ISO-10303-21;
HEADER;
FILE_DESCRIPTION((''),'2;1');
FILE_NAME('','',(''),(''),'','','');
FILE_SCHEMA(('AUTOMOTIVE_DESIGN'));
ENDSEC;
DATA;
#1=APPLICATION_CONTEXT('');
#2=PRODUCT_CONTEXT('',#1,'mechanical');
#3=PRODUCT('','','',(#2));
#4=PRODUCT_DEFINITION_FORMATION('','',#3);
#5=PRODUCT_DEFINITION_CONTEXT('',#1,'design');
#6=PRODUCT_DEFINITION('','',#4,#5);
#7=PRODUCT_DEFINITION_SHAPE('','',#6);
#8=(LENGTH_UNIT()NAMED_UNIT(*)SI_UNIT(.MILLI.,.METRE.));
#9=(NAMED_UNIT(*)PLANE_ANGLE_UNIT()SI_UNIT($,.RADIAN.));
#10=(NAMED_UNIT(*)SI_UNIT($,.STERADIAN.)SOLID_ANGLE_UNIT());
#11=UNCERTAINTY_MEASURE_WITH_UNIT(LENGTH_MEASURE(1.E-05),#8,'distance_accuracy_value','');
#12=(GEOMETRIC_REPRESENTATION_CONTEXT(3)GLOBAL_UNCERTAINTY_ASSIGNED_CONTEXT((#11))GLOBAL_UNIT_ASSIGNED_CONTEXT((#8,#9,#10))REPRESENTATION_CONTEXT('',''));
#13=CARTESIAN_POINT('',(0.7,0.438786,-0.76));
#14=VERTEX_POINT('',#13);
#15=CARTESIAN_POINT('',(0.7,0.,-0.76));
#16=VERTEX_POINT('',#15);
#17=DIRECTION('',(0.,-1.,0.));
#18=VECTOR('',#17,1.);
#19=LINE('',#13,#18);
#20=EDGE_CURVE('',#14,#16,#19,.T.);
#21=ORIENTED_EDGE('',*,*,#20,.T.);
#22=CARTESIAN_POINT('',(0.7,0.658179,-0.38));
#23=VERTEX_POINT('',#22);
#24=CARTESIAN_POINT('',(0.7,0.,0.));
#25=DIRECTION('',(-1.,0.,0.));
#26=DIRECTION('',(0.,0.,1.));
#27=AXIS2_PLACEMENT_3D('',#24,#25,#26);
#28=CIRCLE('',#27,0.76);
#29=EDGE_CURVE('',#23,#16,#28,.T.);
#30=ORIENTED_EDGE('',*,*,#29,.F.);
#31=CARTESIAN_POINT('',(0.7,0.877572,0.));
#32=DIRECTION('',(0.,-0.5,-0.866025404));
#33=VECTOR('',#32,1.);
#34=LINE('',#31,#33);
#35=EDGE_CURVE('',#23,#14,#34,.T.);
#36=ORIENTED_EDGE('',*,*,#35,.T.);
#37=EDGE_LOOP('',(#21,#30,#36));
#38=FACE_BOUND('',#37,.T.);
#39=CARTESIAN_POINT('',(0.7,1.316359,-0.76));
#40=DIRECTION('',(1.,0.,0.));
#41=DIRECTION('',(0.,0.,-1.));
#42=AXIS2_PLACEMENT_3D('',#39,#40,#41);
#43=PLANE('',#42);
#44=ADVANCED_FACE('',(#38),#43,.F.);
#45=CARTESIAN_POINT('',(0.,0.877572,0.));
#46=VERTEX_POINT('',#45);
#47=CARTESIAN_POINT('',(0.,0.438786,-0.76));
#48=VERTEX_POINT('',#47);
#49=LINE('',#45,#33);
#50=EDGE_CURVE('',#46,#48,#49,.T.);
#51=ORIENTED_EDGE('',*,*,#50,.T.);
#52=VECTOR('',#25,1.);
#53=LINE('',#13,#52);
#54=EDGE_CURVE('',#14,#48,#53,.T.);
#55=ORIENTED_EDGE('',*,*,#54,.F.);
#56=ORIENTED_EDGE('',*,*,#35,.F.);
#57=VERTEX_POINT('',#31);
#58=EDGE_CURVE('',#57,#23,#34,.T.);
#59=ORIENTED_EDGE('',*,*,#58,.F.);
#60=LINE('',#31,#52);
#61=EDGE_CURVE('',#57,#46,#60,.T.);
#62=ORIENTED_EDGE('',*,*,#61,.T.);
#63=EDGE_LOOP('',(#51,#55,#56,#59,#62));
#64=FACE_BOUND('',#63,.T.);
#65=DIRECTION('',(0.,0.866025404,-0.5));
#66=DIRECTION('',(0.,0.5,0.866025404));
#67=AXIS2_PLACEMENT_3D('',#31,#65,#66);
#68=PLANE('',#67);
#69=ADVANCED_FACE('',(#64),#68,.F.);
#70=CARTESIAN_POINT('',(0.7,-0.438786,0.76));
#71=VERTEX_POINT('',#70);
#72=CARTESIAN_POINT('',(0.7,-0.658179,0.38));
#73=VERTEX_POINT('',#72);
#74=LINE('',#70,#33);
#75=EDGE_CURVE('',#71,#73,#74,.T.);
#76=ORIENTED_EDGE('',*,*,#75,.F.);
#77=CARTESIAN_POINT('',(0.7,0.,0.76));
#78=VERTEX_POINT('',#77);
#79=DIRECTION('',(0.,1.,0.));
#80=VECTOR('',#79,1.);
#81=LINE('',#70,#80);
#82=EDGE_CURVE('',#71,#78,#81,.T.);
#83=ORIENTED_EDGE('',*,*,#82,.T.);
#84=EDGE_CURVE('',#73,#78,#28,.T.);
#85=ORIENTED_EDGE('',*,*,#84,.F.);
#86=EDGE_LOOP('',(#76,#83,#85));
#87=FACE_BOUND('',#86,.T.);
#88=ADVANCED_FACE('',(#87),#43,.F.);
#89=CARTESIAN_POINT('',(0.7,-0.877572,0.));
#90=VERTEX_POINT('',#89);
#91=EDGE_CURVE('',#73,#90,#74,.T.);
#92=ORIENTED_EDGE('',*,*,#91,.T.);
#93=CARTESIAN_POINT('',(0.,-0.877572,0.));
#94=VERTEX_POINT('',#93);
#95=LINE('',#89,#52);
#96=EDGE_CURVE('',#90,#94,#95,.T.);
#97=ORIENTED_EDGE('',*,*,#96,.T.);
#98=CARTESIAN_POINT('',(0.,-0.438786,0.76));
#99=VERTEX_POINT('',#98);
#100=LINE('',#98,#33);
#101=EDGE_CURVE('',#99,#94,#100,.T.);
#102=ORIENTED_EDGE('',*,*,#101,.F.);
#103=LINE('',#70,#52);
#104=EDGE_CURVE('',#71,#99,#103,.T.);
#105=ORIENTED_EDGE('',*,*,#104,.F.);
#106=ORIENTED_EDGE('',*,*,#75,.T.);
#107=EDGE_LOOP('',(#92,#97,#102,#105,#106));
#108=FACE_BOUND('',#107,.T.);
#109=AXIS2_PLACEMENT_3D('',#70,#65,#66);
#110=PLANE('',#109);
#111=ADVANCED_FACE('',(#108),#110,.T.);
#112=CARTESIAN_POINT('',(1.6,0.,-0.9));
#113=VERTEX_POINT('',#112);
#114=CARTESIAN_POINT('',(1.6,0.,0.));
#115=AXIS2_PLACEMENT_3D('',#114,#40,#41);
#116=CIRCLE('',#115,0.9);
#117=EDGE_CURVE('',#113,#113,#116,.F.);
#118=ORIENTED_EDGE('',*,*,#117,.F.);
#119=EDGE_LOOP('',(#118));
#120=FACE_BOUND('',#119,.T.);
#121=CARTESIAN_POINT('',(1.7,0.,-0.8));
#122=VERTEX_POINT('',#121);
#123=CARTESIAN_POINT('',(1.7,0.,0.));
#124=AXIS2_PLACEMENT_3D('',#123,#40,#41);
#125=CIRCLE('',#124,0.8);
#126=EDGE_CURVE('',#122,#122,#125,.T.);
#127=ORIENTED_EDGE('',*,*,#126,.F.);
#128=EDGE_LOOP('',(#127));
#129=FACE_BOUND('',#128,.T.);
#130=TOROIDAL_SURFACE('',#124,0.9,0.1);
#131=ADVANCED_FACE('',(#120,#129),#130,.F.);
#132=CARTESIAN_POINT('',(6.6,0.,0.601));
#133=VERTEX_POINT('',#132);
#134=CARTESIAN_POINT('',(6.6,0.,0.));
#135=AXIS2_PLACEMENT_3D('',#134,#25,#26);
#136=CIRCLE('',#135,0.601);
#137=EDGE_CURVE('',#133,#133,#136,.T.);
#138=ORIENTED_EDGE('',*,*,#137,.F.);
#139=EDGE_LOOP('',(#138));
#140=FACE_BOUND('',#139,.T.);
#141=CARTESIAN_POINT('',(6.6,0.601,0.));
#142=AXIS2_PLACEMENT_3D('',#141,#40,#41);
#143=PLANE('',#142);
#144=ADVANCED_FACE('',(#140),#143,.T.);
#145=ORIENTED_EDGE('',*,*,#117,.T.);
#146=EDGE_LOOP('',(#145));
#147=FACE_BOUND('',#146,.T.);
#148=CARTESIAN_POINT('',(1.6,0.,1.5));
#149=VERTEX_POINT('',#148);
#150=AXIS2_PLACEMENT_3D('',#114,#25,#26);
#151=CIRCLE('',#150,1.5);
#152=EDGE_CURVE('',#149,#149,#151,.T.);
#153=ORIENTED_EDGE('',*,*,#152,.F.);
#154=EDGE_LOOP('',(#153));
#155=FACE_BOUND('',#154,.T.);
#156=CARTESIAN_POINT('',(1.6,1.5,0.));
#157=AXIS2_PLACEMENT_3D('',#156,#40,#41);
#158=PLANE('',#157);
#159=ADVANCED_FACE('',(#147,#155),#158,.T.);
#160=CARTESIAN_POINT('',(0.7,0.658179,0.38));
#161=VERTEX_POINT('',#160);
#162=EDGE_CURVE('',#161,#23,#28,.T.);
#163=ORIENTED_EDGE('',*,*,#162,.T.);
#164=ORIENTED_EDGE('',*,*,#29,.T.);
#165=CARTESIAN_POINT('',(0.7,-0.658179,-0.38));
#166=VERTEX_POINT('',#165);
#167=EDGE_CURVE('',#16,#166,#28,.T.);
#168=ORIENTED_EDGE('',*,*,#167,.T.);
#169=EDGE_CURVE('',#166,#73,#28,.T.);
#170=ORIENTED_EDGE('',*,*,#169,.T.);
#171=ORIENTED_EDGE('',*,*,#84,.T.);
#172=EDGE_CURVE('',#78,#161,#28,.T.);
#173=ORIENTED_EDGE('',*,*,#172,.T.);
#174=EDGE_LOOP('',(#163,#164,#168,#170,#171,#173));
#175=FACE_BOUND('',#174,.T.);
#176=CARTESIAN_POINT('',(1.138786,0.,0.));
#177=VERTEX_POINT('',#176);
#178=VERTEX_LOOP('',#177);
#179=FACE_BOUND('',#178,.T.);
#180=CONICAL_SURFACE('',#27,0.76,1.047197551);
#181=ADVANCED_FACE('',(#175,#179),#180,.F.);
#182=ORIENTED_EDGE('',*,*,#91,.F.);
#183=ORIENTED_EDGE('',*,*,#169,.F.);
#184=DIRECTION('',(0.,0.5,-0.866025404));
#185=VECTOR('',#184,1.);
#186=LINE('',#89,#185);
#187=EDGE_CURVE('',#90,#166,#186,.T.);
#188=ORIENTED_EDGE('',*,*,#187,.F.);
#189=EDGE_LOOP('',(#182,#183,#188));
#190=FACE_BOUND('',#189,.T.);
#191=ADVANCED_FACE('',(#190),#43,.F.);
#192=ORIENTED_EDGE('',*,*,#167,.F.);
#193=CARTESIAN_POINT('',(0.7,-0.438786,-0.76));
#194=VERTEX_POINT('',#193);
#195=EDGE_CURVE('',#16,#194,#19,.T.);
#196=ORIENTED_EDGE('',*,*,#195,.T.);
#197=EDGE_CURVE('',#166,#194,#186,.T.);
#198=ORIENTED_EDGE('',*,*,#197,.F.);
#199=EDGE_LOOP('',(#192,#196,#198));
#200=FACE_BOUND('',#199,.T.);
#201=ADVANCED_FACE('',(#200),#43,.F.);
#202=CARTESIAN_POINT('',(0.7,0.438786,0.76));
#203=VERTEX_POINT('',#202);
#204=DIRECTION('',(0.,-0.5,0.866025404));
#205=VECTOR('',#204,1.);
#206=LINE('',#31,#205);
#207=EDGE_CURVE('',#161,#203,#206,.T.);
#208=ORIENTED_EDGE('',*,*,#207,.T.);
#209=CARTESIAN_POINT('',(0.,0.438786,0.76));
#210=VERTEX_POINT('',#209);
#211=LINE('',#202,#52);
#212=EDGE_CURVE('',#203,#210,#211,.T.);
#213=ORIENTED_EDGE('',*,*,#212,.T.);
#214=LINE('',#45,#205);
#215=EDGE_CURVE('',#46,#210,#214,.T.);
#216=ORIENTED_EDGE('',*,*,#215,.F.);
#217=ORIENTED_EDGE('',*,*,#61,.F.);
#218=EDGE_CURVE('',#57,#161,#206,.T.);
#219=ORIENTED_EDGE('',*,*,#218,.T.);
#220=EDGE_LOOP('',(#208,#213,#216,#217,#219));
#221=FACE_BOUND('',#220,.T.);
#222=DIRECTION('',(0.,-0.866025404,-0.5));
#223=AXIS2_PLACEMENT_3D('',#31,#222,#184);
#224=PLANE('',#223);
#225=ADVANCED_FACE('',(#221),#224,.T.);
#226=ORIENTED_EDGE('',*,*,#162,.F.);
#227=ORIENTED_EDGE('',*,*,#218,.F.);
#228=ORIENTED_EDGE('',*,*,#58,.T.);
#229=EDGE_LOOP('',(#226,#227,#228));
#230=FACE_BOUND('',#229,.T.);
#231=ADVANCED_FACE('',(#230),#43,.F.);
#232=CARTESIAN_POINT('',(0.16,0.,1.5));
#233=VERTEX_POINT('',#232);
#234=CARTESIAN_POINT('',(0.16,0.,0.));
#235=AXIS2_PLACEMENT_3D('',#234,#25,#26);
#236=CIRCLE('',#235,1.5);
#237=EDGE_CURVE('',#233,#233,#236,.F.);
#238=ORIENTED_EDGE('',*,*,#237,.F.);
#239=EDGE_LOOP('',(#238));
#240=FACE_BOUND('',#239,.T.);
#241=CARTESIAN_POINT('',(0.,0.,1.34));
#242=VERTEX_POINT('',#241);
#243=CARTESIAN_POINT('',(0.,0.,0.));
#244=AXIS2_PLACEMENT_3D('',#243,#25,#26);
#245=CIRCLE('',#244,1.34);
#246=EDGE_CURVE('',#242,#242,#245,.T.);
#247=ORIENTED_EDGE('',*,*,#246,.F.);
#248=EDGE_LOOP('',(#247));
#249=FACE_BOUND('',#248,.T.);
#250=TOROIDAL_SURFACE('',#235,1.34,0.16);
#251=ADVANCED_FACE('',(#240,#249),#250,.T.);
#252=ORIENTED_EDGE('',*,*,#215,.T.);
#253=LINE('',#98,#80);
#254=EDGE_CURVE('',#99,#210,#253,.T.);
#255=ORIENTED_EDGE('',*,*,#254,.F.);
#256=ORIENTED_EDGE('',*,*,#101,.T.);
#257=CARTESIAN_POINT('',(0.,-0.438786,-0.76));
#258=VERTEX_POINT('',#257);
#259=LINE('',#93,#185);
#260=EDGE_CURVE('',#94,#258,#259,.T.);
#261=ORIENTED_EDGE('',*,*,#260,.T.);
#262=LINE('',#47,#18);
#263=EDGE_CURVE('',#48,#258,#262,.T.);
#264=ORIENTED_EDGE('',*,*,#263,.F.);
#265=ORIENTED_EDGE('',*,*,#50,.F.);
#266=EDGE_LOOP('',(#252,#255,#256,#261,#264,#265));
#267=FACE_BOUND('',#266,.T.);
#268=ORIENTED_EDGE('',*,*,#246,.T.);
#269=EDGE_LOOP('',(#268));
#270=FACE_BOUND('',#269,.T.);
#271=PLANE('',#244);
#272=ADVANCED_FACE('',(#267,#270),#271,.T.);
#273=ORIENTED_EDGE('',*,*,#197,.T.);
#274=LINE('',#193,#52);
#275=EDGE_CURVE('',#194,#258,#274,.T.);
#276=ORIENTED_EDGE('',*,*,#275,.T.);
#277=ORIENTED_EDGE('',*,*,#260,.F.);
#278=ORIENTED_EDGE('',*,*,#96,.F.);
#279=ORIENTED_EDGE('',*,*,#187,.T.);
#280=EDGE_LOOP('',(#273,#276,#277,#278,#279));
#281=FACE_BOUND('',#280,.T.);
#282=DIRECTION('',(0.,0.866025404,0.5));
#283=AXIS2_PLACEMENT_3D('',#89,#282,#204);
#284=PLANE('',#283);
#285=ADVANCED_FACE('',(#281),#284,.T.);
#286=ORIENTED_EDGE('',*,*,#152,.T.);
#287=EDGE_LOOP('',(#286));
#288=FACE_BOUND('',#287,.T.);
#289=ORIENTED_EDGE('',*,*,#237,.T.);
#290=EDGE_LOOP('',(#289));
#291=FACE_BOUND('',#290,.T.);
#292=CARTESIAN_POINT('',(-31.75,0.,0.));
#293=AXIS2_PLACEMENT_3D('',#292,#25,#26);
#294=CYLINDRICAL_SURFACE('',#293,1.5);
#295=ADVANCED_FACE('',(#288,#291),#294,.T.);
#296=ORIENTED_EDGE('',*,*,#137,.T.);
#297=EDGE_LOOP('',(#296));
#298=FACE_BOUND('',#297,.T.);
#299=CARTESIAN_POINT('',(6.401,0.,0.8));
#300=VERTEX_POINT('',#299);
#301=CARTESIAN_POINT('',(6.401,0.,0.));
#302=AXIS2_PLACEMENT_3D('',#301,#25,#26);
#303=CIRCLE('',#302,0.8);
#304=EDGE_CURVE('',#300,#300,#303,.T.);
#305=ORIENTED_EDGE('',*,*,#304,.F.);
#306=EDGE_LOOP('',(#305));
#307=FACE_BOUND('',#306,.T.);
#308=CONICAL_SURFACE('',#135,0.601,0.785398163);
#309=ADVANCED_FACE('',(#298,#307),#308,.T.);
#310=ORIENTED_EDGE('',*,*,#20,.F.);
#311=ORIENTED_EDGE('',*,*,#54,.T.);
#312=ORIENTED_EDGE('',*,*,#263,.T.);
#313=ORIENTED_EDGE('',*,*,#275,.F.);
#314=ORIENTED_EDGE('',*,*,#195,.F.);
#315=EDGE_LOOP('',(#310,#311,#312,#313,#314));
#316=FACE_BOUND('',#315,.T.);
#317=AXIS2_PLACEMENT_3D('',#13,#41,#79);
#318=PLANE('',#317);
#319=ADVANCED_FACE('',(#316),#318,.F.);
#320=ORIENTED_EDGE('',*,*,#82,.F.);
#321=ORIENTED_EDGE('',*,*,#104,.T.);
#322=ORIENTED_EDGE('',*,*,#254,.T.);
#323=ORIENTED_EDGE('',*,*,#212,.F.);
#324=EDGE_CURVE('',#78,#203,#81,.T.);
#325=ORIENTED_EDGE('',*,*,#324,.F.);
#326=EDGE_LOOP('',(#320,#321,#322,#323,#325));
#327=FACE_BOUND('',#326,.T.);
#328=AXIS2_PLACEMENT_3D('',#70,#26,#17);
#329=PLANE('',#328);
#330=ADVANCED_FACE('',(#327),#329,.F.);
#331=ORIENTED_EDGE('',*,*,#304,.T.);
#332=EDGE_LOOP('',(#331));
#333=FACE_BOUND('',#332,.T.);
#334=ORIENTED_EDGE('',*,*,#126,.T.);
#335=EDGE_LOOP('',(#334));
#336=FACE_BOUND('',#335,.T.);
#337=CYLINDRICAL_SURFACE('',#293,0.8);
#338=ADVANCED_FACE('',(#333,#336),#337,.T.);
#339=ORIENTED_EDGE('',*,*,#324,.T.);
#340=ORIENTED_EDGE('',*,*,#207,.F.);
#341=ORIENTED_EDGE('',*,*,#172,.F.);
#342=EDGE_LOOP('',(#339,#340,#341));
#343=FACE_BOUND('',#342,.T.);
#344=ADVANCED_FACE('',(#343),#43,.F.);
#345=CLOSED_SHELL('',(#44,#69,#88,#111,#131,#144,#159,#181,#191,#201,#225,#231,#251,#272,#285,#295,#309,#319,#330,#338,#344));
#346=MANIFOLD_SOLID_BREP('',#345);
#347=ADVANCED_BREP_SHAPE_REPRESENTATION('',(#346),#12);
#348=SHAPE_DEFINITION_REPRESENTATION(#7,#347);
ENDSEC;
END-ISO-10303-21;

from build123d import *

# Parameters (mm, degrees)
FILLET1_R   = 0.1
FILLET2_R   = 0.16
HEX_2_DEPTH = 0.7


with BuildPart() as part:
    # BodySke → Base-Revolve (revolve)
    with BuildSketch(Plane.XY, mode=Mode.PRIVATE) as base_revolve_sk:
        Polygon((0, 0), (0, 1.5), (1.6, 1.5), (1.6, 0.8), (6.401, 0.8), (6.6, 0.601), (6.6, 0), align=None)
    revolve(base_revolve_sk.sketch.rotate(Axis((-31.75, 0, 0), (1, 0, 0)), 90), axis=Axis((-31.75, 0, 0), (1, 0, 0)))

    # Fillet1
    fillet1_edges = [part.edges().sort_by_distance(p)[0] for p in [
        (1.6, 0, -0.8),
    ]]
    fillet(fillet1_edges, radius=FILLET1_R)

    # Fillet2
    fillet2_edges = [part.edges().sort_by_distance(p)[0] for p in [
        (0, 0, -1.5),
    ]]
    fillet(fillet2_edges, radius=FILLET2_R)

    # Sketch2 → Hex-PreBroach (revolve, cut)
    with BuildSketch(Plane.XY, mode=Mode.PRIVATE) as hex_prebroach_sk:
        Polygon((0, 0.76), (0.7, 0.76), (1.138786205, 0), (0, 0), align=None)
    revolve(hex_prebroach_sk.sketch.rotate(Axis((0, 0, 0), (1, 0, 0)), 90), axis=Axis((0, 0, 0), (1, 0, 0)), mode=Mode.SUBTRACT)

    # Sketch3 → Hex 2 (cut)
    with BuildSketch(Plane(origin=(0, 0, 0), x_dir=(0, 0.500000000000001, 0.866025403784438), z_dir=(-1, 0, 0))):
        Polygon((0.438786205, 0.76), (-0.438786205, 0.76), (-0.877572409, 0), (-0.438786205, -0.76), (0.438786205, -0.76), (0.877572409, 0), align=None)
    extrude(amount=-HEX_2_DEPTH, mode=Mode.SUBTRACT)


solid = part.part
